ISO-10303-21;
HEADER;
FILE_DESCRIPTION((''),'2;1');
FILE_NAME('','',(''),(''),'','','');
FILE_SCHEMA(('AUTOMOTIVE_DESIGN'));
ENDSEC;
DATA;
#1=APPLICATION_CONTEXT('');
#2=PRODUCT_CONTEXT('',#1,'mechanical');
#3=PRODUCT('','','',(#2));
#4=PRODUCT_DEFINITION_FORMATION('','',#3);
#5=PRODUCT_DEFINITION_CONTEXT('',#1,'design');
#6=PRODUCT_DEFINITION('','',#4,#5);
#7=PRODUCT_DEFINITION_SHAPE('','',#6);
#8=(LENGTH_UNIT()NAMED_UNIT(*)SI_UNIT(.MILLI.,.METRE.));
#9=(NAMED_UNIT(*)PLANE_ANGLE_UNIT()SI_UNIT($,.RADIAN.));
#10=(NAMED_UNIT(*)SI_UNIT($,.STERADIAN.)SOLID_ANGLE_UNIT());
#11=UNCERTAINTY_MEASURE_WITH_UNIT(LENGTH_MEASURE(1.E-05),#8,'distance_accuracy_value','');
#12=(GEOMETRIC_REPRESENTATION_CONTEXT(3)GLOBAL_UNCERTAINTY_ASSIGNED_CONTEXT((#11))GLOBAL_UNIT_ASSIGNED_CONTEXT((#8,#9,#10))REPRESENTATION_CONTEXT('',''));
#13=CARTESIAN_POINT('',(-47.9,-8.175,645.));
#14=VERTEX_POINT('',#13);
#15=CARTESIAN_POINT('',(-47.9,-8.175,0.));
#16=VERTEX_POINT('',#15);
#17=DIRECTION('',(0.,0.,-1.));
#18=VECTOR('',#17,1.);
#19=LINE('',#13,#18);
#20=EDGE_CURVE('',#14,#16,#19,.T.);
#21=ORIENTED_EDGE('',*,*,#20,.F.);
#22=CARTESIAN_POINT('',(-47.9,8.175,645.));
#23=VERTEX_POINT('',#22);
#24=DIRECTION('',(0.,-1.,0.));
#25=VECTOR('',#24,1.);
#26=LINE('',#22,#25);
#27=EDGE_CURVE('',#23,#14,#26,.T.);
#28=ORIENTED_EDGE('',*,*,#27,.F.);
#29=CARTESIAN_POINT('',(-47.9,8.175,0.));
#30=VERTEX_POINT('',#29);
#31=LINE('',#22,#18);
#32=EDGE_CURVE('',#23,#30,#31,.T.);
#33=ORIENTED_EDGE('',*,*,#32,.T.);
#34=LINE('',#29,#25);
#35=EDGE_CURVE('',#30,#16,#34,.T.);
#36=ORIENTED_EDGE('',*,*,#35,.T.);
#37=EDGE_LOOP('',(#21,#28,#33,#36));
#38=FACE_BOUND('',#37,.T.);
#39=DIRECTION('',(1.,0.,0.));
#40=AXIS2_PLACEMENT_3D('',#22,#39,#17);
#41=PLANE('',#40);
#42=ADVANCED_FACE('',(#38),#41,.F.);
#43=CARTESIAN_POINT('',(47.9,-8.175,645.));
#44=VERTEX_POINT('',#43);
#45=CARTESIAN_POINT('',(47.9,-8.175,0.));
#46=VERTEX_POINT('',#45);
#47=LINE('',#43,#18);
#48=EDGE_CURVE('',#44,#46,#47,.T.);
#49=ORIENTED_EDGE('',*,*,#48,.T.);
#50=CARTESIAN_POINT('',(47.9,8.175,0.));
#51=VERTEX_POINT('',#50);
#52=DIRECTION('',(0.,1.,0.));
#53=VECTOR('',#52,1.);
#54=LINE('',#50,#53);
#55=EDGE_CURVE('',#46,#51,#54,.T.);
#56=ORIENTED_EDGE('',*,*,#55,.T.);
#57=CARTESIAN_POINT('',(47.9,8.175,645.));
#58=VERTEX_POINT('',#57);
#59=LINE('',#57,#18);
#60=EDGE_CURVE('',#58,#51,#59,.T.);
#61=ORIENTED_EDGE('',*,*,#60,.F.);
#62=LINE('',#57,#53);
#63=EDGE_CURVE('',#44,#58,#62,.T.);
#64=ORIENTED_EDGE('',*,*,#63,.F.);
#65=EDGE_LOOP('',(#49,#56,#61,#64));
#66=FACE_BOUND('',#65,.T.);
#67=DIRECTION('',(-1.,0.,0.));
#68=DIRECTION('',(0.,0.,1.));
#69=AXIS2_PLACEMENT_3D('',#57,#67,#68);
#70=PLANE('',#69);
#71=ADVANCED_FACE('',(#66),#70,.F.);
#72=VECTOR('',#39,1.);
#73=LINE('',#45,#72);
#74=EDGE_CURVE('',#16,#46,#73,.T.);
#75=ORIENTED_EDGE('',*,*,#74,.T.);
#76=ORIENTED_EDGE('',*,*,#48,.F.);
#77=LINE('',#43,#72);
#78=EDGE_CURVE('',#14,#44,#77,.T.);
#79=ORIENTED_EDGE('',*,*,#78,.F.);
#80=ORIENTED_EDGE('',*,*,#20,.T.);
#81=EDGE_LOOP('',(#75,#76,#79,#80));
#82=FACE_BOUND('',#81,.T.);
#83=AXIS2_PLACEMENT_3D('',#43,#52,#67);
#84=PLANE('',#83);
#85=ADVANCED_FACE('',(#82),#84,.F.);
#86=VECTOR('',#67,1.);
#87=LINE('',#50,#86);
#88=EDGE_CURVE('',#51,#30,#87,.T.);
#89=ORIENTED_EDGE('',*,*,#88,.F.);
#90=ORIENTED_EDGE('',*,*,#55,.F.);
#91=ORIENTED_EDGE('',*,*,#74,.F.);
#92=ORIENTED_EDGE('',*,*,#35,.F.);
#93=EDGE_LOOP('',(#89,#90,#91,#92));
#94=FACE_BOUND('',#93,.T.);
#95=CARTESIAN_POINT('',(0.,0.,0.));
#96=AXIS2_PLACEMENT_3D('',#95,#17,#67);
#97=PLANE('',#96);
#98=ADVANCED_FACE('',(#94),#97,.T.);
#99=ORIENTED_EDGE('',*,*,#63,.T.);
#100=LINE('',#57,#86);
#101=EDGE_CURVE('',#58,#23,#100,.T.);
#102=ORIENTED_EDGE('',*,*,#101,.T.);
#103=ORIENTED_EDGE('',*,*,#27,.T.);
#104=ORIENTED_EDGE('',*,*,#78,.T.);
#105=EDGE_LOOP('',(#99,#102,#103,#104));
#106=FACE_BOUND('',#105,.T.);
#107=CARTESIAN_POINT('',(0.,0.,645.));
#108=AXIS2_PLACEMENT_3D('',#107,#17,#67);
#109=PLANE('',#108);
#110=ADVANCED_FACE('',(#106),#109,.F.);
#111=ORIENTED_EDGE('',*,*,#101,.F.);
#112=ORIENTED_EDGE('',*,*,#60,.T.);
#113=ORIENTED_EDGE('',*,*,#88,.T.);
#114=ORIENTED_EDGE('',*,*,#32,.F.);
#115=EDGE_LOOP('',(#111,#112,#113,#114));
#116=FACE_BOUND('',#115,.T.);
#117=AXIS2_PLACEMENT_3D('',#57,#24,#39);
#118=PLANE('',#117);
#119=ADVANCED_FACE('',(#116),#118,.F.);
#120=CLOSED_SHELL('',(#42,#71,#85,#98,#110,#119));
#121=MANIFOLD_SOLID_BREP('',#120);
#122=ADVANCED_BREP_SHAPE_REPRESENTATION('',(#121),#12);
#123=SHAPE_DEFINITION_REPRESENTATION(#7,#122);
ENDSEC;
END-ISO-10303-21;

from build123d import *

# Parameters (mm, degrees)
ESBO_O1_W                = 95.8
ESBO_O1_H                = 16.35
RESSALTO_EXTRUS_O1_DEPTH = 645


with BuildPart() as part:
    # Esboço1 → Ressalto-extrusão1 (new body)
    with BuildSketch(Plane.XY):
        Rectangle(ESBO_O1_W, ESBO_O1_H)
    extrude(amount=RESSALTO_EXTRUS_O1_DEPTH)


solid = part.part
